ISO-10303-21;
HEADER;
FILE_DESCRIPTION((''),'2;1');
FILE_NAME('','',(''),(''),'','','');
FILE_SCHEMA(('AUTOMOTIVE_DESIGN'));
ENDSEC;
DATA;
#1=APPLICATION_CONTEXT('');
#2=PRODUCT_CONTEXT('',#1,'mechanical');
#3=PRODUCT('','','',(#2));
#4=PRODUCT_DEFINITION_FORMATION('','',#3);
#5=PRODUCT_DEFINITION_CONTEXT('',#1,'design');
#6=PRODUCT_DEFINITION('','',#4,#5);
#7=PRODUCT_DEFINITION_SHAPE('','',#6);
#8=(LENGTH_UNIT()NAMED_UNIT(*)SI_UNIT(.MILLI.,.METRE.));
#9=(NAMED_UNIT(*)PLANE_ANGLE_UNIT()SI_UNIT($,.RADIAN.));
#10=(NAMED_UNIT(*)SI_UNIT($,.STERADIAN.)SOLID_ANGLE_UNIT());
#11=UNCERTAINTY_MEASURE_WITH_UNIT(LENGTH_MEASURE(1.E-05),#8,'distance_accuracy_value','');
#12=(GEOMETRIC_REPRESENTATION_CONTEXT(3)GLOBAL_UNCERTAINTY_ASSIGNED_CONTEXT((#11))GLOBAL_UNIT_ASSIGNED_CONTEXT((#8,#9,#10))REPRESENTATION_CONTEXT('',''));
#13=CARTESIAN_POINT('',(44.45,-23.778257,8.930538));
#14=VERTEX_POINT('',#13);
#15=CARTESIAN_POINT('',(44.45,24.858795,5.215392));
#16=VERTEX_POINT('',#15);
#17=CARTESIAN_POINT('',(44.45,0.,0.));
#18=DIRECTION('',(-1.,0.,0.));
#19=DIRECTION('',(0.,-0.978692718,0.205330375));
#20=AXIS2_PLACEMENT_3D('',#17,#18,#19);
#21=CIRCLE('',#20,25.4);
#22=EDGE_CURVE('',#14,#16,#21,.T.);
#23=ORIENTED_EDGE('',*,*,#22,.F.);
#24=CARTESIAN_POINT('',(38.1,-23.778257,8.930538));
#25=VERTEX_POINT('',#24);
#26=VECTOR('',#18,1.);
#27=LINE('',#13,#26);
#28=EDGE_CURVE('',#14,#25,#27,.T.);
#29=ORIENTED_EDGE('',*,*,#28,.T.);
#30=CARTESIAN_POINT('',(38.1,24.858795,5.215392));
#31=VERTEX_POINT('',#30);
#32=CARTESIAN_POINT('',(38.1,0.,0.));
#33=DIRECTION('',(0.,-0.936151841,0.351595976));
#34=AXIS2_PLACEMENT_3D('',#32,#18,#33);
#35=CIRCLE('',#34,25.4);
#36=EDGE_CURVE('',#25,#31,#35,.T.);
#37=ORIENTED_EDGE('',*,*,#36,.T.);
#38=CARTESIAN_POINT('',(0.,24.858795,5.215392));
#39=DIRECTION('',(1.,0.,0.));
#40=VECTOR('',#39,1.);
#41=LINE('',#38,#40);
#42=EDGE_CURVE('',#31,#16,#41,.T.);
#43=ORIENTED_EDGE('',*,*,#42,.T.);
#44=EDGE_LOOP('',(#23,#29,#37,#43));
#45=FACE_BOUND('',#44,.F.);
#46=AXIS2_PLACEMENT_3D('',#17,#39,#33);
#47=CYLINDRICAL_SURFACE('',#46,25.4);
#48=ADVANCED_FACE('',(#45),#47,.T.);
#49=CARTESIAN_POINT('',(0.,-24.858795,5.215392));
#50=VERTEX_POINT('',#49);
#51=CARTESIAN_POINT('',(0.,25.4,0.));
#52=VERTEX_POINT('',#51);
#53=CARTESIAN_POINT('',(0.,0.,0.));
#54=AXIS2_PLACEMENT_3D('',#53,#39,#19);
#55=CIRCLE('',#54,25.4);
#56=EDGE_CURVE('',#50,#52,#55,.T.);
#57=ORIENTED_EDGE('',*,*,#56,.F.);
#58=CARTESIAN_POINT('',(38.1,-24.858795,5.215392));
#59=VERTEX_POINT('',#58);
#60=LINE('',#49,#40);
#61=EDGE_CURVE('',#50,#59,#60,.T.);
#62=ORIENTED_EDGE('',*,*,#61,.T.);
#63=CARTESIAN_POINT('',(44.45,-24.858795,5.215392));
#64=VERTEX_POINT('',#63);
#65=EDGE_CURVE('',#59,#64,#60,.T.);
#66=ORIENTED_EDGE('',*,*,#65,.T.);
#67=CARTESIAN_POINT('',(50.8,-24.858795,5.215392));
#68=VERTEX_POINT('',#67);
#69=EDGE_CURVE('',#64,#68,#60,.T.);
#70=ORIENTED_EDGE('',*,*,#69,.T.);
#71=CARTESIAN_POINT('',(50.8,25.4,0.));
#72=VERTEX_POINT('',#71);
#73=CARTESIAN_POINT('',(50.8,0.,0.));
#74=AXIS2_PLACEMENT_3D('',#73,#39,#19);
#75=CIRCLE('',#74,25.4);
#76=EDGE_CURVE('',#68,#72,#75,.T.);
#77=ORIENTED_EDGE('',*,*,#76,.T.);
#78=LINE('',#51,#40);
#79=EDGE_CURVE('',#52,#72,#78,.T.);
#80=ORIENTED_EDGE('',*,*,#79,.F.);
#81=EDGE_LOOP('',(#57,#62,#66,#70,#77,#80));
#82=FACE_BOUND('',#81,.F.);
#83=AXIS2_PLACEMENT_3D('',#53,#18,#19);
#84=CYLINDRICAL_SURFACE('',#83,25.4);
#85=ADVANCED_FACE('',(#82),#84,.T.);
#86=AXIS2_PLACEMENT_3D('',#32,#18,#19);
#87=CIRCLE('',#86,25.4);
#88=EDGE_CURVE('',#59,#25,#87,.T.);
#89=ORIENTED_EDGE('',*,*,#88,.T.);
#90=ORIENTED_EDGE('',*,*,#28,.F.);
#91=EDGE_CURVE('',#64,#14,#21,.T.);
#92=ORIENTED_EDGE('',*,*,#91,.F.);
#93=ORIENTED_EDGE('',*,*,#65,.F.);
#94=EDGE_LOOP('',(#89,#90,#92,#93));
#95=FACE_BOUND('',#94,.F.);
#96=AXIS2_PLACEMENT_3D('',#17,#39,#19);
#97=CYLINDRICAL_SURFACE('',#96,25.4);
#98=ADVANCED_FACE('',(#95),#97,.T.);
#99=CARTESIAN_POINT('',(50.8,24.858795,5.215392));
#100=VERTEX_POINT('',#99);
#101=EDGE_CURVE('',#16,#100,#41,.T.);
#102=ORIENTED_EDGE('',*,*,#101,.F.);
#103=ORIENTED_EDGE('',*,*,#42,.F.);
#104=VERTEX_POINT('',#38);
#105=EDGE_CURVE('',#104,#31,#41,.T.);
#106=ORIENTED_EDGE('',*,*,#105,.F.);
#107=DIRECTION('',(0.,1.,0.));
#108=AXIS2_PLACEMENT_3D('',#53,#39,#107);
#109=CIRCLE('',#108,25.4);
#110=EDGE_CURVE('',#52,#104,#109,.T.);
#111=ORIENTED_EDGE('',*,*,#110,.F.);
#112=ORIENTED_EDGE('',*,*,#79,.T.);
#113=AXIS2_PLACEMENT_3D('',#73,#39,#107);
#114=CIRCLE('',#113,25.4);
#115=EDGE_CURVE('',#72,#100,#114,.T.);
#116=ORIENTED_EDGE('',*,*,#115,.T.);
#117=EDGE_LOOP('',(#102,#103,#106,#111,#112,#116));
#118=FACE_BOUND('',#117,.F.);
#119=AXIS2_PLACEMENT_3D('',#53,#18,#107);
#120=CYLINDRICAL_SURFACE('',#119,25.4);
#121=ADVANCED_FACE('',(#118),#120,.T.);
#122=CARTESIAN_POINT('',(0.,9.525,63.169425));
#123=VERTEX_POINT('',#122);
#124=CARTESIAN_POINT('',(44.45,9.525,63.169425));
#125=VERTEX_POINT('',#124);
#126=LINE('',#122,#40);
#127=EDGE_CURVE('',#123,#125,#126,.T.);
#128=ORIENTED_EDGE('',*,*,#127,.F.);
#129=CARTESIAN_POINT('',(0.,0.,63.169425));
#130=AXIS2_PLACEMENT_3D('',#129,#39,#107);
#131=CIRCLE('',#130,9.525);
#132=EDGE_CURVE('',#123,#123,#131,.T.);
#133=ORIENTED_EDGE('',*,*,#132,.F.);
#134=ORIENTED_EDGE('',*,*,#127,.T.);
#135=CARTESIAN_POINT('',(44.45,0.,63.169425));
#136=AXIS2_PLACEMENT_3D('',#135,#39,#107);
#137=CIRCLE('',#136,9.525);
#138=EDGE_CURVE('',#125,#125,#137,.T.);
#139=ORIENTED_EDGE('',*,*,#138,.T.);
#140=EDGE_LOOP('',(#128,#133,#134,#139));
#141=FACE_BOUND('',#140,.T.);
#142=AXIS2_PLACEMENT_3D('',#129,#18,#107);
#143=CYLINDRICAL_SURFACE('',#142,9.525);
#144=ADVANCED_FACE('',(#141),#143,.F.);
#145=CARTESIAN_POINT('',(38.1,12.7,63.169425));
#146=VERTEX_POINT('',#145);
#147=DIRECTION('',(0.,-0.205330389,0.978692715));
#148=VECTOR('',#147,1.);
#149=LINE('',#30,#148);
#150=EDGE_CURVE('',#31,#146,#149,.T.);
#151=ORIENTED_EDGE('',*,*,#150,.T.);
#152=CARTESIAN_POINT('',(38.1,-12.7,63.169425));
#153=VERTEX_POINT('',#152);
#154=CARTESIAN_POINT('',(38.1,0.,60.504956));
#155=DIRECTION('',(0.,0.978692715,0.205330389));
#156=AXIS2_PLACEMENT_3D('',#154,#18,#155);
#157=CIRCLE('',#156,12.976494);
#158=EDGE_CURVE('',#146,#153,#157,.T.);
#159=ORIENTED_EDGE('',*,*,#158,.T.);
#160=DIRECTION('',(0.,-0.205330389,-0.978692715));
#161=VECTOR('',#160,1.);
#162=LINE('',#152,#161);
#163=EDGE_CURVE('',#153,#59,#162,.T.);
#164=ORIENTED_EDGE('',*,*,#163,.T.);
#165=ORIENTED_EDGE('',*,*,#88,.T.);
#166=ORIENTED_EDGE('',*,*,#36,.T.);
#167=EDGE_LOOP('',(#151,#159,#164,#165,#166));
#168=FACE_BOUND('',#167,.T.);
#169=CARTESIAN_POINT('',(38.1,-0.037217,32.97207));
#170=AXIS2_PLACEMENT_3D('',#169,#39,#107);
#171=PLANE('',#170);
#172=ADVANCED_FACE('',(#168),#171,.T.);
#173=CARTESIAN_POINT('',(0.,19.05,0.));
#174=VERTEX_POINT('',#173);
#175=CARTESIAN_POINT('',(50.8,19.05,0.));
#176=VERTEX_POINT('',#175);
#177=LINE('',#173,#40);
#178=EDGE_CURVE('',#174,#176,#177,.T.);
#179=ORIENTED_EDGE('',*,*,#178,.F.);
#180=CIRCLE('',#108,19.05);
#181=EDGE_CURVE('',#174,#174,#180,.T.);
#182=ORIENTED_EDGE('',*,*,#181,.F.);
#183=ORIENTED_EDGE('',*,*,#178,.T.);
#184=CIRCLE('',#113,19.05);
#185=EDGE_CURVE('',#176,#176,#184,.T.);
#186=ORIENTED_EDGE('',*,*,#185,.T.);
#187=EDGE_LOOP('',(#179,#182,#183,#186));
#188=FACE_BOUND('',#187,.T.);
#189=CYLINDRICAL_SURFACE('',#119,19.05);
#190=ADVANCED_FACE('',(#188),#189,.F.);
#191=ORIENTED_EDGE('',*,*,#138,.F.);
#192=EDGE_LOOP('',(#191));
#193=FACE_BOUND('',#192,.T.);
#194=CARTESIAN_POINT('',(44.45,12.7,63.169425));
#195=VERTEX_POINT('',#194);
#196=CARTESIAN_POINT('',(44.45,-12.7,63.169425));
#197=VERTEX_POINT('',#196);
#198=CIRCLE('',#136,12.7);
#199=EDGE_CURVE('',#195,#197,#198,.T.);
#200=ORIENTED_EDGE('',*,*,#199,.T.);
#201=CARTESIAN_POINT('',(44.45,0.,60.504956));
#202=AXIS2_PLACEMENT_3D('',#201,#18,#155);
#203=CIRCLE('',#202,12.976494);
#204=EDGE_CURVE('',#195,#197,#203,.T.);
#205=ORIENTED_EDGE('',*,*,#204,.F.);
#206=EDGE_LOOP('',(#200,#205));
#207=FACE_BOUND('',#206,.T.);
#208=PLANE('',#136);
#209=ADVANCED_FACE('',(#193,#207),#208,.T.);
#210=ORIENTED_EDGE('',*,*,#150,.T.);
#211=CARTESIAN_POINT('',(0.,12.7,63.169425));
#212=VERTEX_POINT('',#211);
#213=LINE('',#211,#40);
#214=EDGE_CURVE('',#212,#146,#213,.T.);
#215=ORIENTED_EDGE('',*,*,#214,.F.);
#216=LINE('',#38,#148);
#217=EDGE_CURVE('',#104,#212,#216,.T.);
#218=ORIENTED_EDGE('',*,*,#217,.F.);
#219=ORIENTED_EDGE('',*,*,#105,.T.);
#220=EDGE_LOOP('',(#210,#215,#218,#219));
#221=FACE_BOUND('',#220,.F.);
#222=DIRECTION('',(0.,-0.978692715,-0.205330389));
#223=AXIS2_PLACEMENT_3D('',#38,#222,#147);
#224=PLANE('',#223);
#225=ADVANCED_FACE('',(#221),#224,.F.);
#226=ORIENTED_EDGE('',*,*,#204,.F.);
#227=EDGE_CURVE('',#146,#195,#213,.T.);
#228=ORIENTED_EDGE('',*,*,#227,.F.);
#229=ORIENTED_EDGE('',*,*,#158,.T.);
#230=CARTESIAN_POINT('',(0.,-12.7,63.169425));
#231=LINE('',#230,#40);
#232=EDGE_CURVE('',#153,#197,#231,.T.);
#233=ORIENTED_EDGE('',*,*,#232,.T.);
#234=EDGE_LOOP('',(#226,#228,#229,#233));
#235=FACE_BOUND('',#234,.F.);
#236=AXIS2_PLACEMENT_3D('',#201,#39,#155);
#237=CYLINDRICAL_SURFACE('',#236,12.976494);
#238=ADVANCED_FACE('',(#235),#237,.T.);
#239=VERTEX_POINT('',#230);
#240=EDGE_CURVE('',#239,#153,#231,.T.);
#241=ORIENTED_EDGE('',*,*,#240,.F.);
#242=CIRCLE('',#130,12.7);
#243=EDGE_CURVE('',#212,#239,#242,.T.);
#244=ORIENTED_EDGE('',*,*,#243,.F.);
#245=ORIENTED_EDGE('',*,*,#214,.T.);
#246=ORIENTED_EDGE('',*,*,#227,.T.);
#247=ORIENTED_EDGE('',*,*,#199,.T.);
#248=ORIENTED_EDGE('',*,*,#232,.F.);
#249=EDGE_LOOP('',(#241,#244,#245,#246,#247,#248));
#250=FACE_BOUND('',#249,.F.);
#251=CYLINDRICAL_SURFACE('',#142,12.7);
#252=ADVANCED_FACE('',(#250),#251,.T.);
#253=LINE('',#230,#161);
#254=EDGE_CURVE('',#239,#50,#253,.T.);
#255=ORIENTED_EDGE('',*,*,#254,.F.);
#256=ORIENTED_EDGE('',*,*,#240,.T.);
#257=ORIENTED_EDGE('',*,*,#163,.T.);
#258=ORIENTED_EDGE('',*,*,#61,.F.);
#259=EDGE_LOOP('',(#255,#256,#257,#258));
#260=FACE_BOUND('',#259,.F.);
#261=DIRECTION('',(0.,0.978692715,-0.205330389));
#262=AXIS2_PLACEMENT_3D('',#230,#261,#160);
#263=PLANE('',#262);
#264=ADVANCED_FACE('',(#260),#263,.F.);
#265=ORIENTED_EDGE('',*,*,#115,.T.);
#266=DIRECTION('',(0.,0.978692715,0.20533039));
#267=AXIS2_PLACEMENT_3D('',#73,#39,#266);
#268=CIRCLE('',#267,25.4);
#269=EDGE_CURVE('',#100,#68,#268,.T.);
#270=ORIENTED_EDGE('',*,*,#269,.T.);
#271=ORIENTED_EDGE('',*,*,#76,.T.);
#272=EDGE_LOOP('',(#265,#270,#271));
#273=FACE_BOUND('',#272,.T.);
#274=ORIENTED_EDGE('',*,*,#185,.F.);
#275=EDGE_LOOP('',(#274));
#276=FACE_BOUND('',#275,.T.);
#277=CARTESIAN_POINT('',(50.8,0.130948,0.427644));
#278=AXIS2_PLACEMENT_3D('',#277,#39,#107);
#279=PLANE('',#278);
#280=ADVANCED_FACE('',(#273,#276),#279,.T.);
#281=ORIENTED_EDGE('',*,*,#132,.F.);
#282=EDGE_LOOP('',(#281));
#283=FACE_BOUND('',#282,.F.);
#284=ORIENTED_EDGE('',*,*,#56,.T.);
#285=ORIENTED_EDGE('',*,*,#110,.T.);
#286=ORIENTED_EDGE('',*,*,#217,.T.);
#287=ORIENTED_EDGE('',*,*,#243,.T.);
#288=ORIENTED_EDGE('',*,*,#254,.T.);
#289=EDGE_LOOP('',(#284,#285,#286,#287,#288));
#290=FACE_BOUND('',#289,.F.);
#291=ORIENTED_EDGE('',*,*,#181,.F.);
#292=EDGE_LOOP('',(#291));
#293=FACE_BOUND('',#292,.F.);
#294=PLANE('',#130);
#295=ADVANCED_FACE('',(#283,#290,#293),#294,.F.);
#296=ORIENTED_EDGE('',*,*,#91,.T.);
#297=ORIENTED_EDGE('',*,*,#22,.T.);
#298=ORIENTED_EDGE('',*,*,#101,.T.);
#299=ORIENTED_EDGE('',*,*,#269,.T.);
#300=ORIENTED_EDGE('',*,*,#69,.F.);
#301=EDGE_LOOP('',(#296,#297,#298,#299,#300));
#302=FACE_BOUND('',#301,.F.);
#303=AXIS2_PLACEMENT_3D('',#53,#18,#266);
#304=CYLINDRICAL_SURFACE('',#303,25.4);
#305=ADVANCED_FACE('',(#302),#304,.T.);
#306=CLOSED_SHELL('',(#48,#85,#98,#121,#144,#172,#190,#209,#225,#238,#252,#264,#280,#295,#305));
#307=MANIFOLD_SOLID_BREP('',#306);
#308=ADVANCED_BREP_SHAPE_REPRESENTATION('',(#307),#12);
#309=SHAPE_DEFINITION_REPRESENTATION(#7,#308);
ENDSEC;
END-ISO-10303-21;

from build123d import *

# Parameters (mm, degrees)
F0_R     = 19.05
F1_DEPTH = 50.8
F2_DEPTH = 44.45
F0_R_2   = 9.525
F3_DEPTH = 44.45
F5_DEPTH = 6.35


with BuildPart() as f1:
    # F0 (on Right) → F1 (new body)
    with BuildSketch(Plane.YZ):
        with BuildLine():
            ThreePointArc((-24.8587950459, 5.2153915354), (-2.6216984795, -25.2643364663), (25.4, 0))
            ThreePointArc((25.4, 0), (25.2643364465, 2.6216986701), (24.8587949672, 5.2153919105))
            ThreePointArc((24.8587949672, 5.2153919105), (-1.916e-07, 25.4), (-24.8587950459, 5.2153915354))
        make_face()
        Circle(F0_R, mode=Mode.SUBTRACT)
    extrude(amount=F1_DEPTH)

    # F0 (on Right) → F2 (join)
    with BuildSketch(Plane.YZ):
        with BuildLine():
            ThreePointArc((-24.8587950459, 5.2153915354), (-1.916e-07, 25.4), (24.8587949672, 5.2153919105))
            Line((24.8587949672, 5.2153919105), (12.7, 63.1694245347))
            ThreePointArc((12.7, 63.1694245347), (0, 50.4694245347), (-12.7, 63.1694245347))
            Line((-12.7, 63.1694245347), (-24.8587950459, 5.2153915354))
        make_face()
    extrude(amount=F2_DEPTH)

    # F0 (on Right) → F3 (join)
    with BuildSketch(Plane.YZ):
        with BuildLine():
            ThreePointArc((-12.7, 63.1694245347), (0, 50.4694245347), (12.7, 63.1694245347))
            ThreePointArc((12.7, 63.1694245347), (0, 75.8694245347), (-12.7, 63.1694245347))
        make_face()
        with Locations((0, 63.1694245347)):
            Circle(F0_R_2, mode=Mode.SUBTRACT)
    extrude(amount=F3_DEPTH)

    # F4 (on face) → F5 (cut)
    with BuildSketch(Plane.YZ.offset(44.45)):
        with BuildLine():
            ThreePointArc((-23.7782567625, 8.9305377965), (1.9345459415, 25.3262222212), (24.8587949734, 5.2153918809))
            Line((24.8587949672, 5.2153919105), (12.7, 63.1694245347))
            ThreePointArc((12.7, 63.1694245347), (0, 47.5284621589), (-12.7, 63.1694245347))
            Line((-12.7, 63.1694245347), (-24.8587950459, 5.2153915354))
            ThreePointArc((-24.8587950459, 5.2153915354), (-24.3893681773, 7.0935689122), (-23.7782567625, 8.9305377965))
        make_face()
    extrude(amount=-F5_DEPTH, mode=Mode.SUBTRACT)


solid = f1.part
